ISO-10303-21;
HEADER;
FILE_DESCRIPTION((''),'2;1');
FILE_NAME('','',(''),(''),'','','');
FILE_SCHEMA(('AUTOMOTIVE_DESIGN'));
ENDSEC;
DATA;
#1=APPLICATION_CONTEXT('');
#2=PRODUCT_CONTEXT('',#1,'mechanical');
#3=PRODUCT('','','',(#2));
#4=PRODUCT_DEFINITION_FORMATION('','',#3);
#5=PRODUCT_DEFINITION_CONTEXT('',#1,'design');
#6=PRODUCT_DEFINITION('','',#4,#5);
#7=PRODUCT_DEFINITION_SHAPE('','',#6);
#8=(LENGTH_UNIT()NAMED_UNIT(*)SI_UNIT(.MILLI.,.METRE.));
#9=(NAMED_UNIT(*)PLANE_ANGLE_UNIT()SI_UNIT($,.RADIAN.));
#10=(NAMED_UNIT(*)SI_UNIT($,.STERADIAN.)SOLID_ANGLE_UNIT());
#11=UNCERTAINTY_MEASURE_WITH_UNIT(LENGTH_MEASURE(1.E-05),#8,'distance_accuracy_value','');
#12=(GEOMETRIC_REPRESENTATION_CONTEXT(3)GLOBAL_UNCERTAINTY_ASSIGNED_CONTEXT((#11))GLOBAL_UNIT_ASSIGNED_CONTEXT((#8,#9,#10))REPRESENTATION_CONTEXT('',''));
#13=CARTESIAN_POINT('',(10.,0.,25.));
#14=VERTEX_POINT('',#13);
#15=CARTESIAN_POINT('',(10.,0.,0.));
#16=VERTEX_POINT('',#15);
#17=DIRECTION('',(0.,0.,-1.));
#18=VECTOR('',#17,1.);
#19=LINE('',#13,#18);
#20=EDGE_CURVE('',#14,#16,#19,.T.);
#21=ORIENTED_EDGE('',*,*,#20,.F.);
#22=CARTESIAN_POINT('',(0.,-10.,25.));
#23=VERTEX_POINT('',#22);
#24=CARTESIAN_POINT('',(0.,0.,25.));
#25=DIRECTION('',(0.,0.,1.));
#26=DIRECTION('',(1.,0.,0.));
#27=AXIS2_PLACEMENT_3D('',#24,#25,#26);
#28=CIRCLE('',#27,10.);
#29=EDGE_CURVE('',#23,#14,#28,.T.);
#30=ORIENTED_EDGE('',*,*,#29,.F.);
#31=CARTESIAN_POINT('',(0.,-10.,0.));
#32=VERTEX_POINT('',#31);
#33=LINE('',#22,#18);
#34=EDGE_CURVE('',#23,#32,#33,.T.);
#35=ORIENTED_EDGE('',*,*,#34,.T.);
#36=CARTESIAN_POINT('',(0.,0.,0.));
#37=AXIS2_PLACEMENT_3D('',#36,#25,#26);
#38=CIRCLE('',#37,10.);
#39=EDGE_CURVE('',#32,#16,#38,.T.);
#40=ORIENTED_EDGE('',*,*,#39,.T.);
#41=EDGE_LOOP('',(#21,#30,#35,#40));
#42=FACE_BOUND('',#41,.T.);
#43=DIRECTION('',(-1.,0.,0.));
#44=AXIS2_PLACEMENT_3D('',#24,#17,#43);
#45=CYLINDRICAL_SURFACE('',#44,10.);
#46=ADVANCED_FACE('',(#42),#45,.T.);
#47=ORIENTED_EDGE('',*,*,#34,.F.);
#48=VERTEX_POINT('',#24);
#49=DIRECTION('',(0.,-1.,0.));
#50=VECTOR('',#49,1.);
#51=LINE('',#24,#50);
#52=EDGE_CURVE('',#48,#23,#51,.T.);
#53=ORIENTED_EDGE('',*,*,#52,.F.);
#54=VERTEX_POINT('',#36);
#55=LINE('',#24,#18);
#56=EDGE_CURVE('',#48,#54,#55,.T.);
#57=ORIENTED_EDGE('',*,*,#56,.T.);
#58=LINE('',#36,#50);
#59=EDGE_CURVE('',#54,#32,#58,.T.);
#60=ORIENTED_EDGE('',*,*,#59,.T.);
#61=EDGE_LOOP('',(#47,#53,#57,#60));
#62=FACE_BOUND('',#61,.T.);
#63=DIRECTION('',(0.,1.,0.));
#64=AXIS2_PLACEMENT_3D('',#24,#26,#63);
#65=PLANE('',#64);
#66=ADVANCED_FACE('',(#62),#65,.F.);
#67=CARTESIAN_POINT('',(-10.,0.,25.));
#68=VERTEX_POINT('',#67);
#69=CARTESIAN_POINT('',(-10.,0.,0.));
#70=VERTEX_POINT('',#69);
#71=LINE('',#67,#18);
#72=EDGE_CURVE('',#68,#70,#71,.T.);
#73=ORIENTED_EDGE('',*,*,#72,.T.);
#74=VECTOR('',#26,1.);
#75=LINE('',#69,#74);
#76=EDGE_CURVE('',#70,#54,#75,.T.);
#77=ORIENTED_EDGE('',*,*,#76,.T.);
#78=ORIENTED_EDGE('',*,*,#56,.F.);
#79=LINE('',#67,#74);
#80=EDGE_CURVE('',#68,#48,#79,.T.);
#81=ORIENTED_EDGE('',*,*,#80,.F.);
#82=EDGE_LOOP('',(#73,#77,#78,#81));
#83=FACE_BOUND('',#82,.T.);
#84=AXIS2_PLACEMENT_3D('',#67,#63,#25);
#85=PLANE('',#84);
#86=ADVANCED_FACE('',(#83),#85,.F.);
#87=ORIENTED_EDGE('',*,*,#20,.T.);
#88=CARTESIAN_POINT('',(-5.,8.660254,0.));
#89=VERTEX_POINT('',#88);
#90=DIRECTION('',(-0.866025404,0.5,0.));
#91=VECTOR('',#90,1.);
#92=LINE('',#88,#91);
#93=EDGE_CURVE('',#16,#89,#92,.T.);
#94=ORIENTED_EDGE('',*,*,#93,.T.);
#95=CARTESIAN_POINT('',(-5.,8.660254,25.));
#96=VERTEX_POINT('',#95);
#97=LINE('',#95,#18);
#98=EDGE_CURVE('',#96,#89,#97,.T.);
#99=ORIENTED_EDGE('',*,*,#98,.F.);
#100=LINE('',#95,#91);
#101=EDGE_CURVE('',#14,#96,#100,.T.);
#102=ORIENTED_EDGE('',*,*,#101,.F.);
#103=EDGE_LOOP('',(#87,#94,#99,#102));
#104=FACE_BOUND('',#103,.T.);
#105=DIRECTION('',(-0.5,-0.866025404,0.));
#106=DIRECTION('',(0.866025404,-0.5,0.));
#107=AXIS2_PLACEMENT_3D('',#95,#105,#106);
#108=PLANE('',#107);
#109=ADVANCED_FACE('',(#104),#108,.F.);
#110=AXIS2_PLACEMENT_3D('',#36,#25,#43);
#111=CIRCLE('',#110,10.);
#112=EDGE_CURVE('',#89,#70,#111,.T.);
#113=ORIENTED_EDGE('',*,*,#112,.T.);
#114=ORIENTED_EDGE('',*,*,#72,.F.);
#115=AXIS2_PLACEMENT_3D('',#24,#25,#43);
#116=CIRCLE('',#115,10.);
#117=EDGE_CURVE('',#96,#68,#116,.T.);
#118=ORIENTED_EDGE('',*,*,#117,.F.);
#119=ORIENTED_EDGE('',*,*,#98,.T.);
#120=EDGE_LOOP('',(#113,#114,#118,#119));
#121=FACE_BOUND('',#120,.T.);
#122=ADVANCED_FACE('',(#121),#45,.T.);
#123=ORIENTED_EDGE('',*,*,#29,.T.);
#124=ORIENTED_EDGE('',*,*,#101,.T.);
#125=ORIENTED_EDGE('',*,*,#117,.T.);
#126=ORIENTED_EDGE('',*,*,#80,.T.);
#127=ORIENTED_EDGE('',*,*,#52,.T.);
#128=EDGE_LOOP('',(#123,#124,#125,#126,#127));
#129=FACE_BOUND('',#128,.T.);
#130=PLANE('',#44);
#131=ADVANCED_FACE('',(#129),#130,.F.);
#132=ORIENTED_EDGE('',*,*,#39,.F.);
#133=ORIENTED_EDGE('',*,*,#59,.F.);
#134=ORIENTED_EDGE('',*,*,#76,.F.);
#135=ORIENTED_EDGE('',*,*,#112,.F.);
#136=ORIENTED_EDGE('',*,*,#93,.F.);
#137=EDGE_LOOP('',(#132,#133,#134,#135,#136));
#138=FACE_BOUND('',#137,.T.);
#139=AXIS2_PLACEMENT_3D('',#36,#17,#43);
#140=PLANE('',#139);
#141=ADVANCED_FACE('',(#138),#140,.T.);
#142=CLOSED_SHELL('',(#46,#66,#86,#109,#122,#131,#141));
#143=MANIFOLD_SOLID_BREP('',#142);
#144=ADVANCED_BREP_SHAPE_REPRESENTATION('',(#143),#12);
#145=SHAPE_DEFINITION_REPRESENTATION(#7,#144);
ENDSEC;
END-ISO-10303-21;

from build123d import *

# Parameters (mm, degrees)
BOSS_EXTRUDE1_DEPTH = 25


with BuildPart() as part:
    # Sketch1 → Boss-Extrude1 (new body)
    with BuildSketch(Plane.XY):
        with BuildLine():
            Line((-10, 0), (0, 0))
            Line((0, 0), (0, -10))
            ThreePointArc((0, -10), (7.071067812, -7.071067812), (10, 0))
            Line((10, 0), (-5, 8.660254038))
            ThreePointArc((-5, 8.660254038), (-8.660254038, 5), (-10, 0))
        make_face()
    extrude(amount=BOSS_EXTRUDE1_DEPTH)


solid = part.part
